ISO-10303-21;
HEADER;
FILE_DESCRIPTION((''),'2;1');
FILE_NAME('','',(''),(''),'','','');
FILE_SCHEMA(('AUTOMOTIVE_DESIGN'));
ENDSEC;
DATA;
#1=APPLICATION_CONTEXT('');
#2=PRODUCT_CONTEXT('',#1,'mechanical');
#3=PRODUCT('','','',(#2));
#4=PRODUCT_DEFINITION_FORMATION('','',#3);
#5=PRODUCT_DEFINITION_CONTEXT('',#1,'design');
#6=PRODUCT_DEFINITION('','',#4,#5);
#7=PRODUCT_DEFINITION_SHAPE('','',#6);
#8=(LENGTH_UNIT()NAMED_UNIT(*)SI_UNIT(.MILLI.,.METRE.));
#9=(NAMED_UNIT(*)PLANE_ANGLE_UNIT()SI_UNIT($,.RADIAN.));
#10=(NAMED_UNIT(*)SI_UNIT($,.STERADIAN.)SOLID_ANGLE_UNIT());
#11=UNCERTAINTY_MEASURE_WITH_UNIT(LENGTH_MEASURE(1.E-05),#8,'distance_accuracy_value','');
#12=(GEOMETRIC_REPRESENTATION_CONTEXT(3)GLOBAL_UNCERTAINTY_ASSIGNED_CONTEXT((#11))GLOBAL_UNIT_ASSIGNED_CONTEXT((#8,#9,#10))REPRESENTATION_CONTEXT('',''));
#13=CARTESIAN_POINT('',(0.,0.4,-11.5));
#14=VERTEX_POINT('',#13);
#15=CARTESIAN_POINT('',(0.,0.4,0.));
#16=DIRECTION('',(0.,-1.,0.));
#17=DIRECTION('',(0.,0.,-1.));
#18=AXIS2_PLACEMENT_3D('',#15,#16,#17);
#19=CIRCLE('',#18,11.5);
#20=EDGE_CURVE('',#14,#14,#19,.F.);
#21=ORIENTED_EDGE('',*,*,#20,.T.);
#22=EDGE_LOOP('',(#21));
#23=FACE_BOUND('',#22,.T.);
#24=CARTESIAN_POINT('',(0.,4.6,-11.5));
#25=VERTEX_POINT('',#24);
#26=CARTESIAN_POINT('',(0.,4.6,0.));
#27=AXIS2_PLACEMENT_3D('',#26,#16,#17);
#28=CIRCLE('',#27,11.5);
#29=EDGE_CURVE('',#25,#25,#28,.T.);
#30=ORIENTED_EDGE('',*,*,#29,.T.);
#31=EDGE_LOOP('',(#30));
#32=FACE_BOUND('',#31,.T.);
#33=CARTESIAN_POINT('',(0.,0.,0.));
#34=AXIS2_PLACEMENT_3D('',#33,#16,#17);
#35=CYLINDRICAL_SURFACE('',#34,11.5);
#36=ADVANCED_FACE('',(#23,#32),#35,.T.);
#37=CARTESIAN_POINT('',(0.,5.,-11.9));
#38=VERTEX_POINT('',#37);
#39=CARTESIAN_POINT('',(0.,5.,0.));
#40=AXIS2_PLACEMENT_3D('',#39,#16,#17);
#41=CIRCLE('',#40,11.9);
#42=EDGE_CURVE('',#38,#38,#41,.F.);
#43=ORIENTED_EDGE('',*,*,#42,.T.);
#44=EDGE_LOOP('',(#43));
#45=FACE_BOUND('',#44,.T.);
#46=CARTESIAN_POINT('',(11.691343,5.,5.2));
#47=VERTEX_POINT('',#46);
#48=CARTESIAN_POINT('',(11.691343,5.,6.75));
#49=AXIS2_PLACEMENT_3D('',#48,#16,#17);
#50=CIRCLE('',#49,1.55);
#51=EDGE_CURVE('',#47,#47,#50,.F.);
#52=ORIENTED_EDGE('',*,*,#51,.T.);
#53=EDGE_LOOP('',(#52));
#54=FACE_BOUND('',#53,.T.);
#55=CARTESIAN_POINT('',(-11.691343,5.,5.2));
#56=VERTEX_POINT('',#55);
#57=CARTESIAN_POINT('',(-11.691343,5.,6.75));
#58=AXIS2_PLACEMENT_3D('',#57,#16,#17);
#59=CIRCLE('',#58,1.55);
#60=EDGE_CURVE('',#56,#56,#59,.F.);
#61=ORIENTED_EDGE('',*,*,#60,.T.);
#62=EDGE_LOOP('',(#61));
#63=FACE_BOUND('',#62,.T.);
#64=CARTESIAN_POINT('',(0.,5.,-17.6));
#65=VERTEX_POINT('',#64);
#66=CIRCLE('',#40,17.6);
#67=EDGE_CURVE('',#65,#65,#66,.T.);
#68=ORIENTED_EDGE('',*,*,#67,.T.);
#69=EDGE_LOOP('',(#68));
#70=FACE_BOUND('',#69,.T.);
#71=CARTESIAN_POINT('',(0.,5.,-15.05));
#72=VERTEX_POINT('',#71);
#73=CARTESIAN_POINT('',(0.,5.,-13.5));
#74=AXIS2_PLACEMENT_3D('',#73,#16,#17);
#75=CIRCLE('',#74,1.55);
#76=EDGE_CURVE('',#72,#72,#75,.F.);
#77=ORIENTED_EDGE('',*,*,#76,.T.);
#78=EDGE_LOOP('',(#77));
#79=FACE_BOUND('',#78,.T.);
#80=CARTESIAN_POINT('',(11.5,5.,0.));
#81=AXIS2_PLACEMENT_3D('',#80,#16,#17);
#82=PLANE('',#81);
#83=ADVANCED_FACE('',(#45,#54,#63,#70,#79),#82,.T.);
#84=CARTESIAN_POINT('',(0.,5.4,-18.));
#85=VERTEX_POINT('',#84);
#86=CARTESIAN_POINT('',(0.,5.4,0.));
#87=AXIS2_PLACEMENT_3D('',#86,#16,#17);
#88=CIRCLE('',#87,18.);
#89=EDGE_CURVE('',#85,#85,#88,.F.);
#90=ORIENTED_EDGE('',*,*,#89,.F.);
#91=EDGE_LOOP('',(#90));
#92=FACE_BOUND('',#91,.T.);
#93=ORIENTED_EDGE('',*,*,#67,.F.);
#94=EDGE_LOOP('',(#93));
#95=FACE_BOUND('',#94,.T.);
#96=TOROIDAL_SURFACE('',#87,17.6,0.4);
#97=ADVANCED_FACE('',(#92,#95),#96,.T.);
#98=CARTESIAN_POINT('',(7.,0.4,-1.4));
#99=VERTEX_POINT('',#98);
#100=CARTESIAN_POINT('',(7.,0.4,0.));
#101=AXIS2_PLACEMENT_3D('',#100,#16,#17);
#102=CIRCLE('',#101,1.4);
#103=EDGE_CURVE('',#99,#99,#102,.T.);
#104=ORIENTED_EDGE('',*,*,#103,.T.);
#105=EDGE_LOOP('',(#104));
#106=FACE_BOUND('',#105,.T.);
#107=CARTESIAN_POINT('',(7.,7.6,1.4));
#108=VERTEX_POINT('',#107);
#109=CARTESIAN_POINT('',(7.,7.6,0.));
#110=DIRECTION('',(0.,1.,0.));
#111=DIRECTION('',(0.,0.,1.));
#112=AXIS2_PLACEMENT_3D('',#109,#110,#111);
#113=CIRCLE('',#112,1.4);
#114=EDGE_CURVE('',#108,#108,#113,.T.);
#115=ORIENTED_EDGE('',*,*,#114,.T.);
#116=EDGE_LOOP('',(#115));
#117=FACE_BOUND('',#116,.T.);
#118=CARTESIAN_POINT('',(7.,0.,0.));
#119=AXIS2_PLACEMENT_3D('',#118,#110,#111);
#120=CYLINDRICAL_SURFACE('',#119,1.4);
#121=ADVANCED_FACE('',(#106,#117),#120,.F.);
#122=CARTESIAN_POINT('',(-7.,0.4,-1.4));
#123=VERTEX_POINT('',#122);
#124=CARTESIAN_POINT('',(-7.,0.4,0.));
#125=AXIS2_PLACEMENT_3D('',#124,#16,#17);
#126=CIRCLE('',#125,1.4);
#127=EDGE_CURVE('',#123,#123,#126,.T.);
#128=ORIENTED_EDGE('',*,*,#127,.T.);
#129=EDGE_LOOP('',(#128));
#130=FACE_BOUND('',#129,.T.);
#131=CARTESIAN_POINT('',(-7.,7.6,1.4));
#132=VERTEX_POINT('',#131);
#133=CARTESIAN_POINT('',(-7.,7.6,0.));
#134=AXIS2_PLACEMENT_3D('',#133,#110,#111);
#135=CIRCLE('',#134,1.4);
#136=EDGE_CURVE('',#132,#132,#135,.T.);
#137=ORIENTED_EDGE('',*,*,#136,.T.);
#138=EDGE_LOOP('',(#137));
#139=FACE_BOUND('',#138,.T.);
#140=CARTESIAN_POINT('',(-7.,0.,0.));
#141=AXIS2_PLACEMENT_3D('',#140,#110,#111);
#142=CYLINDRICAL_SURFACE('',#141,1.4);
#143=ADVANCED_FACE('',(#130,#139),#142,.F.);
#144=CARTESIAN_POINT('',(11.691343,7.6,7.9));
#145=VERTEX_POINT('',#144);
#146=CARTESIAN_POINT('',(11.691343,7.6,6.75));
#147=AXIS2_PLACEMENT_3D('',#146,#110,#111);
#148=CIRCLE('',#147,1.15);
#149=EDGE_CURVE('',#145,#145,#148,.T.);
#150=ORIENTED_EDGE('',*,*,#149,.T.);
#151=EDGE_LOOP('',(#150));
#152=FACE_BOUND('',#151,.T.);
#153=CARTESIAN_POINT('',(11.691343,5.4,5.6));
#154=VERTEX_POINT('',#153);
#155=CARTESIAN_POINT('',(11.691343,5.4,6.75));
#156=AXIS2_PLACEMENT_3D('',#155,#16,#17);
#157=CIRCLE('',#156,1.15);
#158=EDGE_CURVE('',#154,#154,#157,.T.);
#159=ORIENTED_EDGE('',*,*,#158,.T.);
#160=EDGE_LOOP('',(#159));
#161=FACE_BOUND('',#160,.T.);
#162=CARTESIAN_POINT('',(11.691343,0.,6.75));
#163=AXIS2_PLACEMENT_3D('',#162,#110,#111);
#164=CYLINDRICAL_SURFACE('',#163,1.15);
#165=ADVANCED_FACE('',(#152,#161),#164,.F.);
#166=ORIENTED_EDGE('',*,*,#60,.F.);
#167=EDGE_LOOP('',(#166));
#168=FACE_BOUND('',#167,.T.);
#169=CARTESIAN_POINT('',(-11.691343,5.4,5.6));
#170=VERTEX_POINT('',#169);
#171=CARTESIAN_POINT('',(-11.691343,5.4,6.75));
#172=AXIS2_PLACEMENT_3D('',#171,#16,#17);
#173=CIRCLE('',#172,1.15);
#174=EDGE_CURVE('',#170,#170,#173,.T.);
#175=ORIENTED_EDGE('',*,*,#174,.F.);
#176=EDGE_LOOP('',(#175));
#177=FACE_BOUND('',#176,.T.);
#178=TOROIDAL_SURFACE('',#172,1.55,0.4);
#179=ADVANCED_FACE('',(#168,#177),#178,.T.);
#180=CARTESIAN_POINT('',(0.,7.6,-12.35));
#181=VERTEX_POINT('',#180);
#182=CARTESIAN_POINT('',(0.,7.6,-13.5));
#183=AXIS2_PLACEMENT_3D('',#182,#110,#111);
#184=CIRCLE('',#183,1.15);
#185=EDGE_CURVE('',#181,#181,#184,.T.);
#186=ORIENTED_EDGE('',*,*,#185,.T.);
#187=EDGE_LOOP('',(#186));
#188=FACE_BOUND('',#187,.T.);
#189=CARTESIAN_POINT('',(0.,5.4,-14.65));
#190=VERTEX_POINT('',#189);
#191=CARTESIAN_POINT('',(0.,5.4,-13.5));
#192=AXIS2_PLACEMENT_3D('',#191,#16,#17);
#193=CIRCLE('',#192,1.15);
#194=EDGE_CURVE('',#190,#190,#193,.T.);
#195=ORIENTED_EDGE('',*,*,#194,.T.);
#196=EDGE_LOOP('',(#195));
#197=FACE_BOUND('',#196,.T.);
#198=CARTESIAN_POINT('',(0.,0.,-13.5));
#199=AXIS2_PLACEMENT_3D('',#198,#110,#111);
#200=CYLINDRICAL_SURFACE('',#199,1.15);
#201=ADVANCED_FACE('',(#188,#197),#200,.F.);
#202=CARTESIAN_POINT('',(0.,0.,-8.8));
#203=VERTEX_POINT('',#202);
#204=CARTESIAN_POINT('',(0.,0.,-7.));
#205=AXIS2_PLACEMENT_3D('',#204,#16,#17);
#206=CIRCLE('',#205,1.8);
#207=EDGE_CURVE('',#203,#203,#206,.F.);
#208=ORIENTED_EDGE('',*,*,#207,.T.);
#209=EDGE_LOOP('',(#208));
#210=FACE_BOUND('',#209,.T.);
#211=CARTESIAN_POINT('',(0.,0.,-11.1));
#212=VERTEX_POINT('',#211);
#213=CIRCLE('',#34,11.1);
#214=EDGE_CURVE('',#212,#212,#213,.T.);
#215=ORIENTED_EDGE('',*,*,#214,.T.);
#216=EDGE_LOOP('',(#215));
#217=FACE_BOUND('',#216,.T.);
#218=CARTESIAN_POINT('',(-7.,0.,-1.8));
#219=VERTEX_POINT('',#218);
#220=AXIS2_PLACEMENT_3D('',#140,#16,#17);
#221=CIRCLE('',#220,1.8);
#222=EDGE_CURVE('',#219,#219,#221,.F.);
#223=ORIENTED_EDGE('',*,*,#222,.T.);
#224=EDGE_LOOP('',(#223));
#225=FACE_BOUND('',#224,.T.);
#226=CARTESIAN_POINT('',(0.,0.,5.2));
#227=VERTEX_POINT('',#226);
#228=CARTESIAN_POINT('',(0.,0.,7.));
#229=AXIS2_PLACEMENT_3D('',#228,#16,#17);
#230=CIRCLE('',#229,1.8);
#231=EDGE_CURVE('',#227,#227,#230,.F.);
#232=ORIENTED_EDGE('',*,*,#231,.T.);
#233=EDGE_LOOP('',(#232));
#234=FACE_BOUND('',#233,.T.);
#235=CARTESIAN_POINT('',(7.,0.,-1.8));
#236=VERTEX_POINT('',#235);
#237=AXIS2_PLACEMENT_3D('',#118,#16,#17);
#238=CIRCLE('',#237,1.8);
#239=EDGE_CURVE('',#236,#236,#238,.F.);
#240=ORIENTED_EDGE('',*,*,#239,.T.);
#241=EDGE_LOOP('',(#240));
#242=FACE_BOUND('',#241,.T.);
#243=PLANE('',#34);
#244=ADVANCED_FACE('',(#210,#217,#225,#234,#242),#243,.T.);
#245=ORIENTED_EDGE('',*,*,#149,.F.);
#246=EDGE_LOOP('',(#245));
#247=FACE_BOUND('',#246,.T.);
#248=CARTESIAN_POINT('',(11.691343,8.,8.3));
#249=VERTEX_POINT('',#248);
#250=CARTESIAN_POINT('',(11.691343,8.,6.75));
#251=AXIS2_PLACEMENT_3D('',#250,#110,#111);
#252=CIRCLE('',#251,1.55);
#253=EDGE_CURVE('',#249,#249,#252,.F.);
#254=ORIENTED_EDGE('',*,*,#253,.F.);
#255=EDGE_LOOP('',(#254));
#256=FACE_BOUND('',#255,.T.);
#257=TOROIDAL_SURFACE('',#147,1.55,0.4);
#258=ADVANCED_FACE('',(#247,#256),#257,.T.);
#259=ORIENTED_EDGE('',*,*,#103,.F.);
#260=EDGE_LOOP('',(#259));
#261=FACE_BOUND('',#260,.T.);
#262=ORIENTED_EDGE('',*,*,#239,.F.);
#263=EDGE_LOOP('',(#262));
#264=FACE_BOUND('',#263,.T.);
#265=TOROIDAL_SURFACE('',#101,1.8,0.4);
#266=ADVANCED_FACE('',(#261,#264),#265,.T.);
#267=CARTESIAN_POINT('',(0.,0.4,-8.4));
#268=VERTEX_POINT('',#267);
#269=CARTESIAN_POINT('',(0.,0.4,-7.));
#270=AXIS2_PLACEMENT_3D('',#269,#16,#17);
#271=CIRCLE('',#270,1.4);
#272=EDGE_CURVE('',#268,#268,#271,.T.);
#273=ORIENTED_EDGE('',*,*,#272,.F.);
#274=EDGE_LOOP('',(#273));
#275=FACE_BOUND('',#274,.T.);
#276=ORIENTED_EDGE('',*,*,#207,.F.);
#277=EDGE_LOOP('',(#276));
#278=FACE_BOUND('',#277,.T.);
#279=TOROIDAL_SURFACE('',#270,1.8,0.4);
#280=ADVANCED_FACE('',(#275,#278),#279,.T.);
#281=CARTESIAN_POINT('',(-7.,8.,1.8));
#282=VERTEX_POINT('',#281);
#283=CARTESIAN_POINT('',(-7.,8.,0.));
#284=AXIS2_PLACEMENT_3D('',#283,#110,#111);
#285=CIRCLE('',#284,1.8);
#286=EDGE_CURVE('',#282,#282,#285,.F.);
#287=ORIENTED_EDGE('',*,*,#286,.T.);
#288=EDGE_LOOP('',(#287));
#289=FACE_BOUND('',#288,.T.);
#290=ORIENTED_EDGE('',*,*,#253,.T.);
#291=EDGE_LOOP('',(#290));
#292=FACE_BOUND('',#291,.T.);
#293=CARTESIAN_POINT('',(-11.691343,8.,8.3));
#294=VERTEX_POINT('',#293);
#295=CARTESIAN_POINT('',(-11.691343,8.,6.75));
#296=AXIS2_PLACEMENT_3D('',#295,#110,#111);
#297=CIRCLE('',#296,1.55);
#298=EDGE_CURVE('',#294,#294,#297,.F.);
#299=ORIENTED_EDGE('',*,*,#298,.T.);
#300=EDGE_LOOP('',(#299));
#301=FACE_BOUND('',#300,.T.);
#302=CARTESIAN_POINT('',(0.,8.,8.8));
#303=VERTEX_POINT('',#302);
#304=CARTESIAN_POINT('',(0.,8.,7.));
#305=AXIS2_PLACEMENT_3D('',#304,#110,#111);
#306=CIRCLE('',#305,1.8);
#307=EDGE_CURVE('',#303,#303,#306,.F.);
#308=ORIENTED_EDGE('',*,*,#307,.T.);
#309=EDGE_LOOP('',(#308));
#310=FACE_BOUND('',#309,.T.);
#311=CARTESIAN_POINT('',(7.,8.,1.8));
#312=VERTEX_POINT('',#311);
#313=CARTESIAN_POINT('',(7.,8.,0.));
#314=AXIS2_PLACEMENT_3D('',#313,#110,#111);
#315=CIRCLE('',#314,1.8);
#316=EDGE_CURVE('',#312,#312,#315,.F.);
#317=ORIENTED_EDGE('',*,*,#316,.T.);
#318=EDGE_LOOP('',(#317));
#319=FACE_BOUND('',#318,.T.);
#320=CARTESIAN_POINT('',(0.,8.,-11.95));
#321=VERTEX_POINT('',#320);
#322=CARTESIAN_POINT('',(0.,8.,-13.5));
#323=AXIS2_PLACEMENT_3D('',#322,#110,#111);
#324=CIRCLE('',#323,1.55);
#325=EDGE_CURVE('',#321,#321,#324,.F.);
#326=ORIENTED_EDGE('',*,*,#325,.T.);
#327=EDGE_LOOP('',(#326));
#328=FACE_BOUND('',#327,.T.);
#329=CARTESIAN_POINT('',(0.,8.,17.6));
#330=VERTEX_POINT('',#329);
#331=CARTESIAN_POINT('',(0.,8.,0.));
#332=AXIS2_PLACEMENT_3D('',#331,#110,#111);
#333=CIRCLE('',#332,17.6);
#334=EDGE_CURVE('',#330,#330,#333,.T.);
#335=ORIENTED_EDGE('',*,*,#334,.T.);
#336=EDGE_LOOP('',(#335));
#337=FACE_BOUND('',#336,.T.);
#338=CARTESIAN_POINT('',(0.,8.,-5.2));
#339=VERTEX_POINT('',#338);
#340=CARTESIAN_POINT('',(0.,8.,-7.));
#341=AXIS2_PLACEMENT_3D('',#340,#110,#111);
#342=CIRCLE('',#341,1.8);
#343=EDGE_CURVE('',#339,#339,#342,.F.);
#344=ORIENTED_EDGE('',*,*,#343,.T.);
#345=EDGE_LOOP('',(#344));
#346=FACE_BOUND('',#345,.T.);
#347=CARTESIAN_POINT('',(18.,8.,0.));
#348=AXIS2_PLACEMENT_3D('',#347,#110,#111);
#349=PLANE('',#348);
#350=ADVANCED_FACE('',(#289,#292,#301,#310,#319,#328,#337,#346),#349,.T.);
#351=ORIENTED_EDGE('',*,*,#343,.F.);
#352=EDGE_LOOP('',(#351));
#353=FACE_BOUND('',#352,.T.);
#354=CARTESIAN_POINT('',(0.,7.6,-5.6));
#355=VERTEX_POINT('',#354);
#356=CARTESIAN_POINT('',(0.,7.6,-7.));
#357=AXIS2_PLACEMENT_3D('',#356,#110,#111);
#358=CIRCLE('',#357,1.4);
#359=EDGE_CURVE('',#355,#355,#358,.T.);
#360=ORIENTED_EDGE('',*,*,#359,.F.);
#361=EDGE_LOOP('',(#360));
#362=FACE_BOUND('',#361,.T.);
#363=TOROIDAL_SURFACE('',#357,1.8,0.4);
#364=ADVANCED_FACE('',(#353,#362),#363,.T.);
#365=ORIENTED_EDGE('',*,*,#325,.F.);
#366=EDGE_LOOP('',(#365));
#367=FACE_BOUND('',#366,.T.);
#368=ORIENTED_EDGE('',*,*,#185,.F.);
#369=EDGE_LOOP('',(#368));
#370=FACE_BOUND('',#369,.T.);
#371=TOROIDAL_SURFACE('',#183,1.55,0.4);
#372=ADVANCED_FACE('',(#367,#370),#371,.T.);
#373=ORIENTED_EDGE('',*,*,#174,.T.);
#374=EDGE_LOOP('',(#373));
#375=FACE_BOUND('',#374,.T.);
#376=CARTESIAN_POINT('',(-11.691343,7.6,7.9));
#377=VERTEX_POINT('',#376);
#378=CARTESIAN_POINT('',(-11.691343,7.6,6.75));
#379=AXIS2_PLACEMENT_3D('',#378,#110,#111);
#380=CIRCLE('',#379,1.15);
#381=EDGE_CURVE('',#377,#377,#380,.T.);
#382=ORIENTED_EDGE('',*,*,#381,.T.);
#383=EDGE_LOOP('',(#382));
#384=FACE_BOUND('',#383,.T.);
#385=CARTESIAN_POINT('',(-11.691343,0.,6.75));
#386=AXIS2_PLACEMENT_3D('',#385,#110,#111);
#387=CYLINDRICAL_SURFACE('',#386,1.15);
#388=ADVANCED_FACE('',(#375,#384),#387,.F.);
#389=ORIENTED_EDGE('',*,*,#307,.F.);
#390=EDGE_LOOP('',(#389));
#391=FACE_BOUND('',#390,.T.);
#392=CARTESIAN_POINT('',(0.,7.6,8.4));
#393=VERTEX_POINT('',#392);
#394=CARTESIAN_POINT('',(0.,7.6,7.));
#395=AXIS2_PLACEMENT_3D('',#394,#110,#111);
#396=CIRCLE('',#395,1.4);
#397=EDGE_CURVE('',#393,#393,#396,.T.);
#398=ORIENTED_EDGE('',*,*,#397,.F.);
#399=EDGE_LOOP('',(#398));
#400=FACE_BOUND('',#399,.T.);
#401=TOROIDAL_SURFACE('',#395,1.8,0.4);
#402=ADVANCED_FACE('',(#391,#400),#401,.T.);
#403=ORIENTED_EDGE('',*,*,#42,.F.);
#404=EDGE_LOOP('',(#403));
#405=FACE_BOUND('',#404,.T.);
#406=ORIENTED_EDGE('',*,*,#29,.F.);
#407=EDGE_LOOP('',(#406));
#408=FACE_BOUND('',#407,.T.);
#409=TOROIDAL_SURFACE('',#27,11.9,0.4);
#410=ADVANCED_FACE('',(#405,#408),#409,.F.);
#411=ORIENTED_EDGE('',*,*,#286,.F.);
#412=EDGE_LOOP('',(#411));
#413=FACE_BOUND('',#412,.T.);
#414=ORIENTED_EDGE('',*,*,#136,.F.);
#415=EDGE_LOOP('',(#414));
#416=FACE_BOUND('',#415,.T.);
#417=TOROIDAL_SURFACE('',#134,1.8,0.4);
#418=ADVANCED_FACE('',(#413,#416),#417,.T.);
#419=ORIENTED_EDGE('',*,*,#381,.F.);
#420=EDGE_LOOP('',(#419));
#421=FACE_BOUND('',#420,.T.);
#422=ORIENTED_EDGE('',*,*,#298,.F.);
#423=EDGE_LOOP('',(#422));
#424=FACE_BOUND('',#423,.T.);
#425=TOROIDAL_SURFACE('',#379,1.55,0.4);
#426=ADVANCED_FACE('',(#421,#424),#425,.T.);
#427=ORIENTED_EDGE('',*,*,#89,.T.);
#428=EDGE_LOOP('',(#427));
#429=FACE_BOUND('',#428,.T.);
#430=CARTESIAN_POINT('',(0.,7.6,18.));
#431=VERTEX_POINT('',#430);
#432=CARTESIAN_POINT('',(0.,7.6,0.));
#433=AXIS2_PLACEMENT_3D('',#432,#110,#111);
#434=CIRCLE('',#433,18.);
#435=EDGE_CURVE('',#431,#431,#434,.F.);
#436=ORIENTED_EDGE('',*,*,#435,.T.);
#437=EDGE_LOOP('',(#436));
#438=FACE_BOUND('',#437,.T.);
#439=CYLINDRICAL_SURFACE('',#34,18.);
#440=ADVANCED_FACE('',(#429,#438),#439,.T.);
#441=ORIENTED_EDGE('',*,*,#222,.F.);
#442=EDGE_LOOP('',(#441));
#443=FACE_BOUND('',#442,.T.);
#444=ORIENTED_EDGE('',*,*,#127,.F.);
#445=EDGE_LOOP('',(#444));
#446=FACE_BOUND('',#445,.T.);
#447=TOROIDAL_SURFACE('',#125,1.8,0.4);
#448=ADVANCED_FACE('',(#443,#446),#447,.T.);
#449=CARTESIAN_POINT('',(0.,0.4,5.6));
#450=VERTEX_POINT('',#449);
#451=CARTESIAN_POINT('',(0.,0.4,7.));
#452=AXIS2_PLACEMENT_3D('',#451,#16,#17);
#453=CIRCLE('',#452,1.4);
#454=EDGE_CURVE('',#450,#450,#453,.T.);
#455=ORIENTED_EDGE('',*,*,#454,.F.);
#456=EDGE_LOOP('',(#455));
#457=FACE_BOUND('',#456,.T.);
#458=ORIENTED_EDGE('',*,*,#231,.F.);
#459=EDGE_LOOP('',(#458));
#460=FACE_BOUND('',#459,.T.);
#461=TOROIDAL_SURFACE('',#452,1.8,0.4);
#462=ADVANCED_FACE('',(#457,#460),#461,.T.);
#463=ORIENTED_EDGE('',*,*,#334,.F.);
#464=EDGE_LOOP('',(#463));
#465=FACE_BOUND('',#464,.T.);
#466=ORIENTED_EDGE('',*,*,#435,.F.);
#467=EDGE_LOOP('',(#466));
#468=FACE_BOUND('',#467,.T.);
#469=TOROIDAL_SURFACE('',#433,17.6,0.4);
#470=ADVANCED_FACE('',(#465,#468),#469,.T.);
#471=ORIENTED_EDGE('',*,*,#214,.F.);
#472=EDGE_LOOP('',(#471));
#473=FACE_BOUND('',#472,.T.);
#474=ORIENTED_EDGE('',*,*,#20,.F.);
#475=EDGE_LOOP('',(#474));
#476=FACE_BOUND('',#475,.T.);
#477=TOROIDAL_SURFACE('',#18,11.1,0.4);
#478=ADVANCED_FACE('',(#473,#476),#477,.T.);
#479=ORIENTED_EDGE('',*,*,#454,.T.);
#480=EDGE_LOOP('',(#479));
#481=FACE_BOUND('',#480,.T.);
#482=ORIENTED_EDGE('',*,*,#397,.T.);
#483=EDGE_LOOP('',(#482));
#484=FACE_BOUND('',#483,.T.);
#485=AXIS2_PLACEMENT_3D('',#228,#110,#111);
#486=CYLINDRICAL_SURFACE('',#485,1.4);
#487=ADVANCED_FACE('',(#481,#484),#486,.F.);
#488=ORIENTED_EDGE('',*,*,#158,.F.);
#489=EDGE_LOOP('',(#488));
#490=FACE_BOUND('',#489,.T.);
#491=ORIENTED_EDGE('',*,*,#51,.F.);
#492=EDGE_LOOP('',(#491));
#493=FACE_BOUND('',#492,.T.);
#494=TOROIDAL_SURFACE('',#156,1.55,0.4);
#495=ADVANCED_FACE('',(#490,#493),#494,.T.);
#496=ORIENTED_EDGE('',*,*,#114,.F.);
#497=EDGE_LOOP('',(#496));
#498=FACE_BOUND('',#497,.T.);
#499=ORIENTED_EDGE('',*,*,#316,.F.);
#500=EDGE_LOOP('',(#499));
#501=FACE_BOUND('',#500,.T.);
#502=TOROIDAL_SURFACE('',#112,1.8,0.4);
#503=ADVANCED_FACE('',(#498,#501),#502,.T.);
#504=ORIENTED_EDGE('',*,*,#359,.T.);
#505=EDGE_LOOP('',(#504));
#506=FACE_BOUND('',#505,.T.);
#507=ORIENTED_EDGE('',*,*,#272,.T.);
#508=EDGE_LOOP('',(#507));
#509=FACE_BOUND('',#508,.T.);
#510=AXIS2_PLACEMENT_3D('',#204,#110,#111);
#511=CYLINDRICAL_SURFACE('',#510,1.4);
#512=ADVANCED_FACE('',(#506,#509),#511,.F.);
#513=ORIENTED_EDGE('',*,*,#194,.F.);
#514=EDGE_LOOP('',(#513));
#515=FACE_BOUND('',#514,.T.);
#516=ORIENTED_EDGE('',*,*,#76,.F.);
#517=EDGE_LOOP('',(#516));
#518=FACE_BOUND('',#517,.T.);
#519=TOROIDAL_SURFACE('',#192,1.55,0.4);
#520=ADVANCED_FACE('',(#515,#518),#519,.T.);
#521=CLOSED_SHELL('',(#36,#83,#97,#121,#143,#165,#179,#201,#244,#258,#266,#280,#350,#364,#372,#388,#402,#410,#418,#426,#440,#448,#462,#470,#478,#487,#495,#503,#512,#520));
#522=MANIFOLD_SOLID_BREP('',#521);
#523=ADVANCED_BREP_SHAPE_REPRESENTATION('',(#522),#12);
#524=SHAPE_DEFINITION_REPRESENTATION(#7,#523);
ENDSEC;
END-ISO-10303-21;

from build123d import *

# Parameters (mm, degrees)
SKETCH2_R          = 1.15
SKETCH2_R_2        = 1.4
CUT_EXTRUDE1_DEPTH = 27.683328128
FILLET2_R          = 0.4


with BuildPart() as part:
    # Sketch1 → Revolve1 (revolve)
    with BuildSketch(Plane.XY, mode=Mode.PRIVATE) as revolve1_sk:
        Polygon((0, 0), (11.5, 0), (11.5, 5), (18, 5), (18, 8), (0, 8), align=None)
    revolve(revolve1_sk.sketch.rotate(Axis((0, 0, 0), (0, 1, 0)), 90), axis=Axis((0, 0, 0), (0, 1, 0)))

    # Sketch2 → Cut-Extrude1 (cut, through all)
    with BuildSketch(Plane(origin=(0, 8, 0), x_dir=(1, 0, 0), z_dir=(0, 1, 0))):
        with Locations(Location((0, 13.5, 0), (0, 0, 270))):
            Circle(SKETCH2_R)
        with Locations(Location((11.691342951, -6.75, 0), (0, 0, 270))):
            Circle(SKETCH2_R)
        with Locations(Location((-11.691342951, -6.75, 0), (0, 0, 270))):
            Circle(SKETCH2_R)
        with Locations(Location((0, 7, 0), (0, 0, 270))):
            Circle(SKETCH2_R_2)
        with Locations(Location((7, 0, 0), (0, 0, 270))):
            Circle(SKETCH2_R_2)
        with Locations(Location((0, -7, 0), (0, 0, 270))):
            Circle(SKETCH2_R_2)
        with Locations(Location((-7, 0, 0), (0, 0, 270))):
            Circle(SKETCH2_R_2)
    extrude(amount=-CUT_EXTRUDE1_DEPTH, mode=Mode.SUBTRACT)

    # Fillet2
    fillet2_edges = [part.edges().sort_by_distance(p)[0] for p in [
        (0, 5, -14.65),
        (0, 8, -14.65),
        (-7, 0, -1.4),
        (-7, 8, -1.4),
        (0, 0, 5.6),
        (0, 8, 5.6),
        (0, 0, -8.4),
        (0, 8, -8.4),
        (11.691342951, 5, 5.6),
        (11.691342951, 8, 5.6),
        (-11.691342951, 5, 5.6),
        (-11.691342951, 8, 5.6),
        (7, 0, -1.4),
        (7, 8, -1.4),
        (0, 8, 18),
        (0, 5, 18),
        (0, 5, 11.5),
        (0, 0, 11.5),
    ]]
    fillet(fillet2_edges, radius=FILLET2_R)


solid = part.part
